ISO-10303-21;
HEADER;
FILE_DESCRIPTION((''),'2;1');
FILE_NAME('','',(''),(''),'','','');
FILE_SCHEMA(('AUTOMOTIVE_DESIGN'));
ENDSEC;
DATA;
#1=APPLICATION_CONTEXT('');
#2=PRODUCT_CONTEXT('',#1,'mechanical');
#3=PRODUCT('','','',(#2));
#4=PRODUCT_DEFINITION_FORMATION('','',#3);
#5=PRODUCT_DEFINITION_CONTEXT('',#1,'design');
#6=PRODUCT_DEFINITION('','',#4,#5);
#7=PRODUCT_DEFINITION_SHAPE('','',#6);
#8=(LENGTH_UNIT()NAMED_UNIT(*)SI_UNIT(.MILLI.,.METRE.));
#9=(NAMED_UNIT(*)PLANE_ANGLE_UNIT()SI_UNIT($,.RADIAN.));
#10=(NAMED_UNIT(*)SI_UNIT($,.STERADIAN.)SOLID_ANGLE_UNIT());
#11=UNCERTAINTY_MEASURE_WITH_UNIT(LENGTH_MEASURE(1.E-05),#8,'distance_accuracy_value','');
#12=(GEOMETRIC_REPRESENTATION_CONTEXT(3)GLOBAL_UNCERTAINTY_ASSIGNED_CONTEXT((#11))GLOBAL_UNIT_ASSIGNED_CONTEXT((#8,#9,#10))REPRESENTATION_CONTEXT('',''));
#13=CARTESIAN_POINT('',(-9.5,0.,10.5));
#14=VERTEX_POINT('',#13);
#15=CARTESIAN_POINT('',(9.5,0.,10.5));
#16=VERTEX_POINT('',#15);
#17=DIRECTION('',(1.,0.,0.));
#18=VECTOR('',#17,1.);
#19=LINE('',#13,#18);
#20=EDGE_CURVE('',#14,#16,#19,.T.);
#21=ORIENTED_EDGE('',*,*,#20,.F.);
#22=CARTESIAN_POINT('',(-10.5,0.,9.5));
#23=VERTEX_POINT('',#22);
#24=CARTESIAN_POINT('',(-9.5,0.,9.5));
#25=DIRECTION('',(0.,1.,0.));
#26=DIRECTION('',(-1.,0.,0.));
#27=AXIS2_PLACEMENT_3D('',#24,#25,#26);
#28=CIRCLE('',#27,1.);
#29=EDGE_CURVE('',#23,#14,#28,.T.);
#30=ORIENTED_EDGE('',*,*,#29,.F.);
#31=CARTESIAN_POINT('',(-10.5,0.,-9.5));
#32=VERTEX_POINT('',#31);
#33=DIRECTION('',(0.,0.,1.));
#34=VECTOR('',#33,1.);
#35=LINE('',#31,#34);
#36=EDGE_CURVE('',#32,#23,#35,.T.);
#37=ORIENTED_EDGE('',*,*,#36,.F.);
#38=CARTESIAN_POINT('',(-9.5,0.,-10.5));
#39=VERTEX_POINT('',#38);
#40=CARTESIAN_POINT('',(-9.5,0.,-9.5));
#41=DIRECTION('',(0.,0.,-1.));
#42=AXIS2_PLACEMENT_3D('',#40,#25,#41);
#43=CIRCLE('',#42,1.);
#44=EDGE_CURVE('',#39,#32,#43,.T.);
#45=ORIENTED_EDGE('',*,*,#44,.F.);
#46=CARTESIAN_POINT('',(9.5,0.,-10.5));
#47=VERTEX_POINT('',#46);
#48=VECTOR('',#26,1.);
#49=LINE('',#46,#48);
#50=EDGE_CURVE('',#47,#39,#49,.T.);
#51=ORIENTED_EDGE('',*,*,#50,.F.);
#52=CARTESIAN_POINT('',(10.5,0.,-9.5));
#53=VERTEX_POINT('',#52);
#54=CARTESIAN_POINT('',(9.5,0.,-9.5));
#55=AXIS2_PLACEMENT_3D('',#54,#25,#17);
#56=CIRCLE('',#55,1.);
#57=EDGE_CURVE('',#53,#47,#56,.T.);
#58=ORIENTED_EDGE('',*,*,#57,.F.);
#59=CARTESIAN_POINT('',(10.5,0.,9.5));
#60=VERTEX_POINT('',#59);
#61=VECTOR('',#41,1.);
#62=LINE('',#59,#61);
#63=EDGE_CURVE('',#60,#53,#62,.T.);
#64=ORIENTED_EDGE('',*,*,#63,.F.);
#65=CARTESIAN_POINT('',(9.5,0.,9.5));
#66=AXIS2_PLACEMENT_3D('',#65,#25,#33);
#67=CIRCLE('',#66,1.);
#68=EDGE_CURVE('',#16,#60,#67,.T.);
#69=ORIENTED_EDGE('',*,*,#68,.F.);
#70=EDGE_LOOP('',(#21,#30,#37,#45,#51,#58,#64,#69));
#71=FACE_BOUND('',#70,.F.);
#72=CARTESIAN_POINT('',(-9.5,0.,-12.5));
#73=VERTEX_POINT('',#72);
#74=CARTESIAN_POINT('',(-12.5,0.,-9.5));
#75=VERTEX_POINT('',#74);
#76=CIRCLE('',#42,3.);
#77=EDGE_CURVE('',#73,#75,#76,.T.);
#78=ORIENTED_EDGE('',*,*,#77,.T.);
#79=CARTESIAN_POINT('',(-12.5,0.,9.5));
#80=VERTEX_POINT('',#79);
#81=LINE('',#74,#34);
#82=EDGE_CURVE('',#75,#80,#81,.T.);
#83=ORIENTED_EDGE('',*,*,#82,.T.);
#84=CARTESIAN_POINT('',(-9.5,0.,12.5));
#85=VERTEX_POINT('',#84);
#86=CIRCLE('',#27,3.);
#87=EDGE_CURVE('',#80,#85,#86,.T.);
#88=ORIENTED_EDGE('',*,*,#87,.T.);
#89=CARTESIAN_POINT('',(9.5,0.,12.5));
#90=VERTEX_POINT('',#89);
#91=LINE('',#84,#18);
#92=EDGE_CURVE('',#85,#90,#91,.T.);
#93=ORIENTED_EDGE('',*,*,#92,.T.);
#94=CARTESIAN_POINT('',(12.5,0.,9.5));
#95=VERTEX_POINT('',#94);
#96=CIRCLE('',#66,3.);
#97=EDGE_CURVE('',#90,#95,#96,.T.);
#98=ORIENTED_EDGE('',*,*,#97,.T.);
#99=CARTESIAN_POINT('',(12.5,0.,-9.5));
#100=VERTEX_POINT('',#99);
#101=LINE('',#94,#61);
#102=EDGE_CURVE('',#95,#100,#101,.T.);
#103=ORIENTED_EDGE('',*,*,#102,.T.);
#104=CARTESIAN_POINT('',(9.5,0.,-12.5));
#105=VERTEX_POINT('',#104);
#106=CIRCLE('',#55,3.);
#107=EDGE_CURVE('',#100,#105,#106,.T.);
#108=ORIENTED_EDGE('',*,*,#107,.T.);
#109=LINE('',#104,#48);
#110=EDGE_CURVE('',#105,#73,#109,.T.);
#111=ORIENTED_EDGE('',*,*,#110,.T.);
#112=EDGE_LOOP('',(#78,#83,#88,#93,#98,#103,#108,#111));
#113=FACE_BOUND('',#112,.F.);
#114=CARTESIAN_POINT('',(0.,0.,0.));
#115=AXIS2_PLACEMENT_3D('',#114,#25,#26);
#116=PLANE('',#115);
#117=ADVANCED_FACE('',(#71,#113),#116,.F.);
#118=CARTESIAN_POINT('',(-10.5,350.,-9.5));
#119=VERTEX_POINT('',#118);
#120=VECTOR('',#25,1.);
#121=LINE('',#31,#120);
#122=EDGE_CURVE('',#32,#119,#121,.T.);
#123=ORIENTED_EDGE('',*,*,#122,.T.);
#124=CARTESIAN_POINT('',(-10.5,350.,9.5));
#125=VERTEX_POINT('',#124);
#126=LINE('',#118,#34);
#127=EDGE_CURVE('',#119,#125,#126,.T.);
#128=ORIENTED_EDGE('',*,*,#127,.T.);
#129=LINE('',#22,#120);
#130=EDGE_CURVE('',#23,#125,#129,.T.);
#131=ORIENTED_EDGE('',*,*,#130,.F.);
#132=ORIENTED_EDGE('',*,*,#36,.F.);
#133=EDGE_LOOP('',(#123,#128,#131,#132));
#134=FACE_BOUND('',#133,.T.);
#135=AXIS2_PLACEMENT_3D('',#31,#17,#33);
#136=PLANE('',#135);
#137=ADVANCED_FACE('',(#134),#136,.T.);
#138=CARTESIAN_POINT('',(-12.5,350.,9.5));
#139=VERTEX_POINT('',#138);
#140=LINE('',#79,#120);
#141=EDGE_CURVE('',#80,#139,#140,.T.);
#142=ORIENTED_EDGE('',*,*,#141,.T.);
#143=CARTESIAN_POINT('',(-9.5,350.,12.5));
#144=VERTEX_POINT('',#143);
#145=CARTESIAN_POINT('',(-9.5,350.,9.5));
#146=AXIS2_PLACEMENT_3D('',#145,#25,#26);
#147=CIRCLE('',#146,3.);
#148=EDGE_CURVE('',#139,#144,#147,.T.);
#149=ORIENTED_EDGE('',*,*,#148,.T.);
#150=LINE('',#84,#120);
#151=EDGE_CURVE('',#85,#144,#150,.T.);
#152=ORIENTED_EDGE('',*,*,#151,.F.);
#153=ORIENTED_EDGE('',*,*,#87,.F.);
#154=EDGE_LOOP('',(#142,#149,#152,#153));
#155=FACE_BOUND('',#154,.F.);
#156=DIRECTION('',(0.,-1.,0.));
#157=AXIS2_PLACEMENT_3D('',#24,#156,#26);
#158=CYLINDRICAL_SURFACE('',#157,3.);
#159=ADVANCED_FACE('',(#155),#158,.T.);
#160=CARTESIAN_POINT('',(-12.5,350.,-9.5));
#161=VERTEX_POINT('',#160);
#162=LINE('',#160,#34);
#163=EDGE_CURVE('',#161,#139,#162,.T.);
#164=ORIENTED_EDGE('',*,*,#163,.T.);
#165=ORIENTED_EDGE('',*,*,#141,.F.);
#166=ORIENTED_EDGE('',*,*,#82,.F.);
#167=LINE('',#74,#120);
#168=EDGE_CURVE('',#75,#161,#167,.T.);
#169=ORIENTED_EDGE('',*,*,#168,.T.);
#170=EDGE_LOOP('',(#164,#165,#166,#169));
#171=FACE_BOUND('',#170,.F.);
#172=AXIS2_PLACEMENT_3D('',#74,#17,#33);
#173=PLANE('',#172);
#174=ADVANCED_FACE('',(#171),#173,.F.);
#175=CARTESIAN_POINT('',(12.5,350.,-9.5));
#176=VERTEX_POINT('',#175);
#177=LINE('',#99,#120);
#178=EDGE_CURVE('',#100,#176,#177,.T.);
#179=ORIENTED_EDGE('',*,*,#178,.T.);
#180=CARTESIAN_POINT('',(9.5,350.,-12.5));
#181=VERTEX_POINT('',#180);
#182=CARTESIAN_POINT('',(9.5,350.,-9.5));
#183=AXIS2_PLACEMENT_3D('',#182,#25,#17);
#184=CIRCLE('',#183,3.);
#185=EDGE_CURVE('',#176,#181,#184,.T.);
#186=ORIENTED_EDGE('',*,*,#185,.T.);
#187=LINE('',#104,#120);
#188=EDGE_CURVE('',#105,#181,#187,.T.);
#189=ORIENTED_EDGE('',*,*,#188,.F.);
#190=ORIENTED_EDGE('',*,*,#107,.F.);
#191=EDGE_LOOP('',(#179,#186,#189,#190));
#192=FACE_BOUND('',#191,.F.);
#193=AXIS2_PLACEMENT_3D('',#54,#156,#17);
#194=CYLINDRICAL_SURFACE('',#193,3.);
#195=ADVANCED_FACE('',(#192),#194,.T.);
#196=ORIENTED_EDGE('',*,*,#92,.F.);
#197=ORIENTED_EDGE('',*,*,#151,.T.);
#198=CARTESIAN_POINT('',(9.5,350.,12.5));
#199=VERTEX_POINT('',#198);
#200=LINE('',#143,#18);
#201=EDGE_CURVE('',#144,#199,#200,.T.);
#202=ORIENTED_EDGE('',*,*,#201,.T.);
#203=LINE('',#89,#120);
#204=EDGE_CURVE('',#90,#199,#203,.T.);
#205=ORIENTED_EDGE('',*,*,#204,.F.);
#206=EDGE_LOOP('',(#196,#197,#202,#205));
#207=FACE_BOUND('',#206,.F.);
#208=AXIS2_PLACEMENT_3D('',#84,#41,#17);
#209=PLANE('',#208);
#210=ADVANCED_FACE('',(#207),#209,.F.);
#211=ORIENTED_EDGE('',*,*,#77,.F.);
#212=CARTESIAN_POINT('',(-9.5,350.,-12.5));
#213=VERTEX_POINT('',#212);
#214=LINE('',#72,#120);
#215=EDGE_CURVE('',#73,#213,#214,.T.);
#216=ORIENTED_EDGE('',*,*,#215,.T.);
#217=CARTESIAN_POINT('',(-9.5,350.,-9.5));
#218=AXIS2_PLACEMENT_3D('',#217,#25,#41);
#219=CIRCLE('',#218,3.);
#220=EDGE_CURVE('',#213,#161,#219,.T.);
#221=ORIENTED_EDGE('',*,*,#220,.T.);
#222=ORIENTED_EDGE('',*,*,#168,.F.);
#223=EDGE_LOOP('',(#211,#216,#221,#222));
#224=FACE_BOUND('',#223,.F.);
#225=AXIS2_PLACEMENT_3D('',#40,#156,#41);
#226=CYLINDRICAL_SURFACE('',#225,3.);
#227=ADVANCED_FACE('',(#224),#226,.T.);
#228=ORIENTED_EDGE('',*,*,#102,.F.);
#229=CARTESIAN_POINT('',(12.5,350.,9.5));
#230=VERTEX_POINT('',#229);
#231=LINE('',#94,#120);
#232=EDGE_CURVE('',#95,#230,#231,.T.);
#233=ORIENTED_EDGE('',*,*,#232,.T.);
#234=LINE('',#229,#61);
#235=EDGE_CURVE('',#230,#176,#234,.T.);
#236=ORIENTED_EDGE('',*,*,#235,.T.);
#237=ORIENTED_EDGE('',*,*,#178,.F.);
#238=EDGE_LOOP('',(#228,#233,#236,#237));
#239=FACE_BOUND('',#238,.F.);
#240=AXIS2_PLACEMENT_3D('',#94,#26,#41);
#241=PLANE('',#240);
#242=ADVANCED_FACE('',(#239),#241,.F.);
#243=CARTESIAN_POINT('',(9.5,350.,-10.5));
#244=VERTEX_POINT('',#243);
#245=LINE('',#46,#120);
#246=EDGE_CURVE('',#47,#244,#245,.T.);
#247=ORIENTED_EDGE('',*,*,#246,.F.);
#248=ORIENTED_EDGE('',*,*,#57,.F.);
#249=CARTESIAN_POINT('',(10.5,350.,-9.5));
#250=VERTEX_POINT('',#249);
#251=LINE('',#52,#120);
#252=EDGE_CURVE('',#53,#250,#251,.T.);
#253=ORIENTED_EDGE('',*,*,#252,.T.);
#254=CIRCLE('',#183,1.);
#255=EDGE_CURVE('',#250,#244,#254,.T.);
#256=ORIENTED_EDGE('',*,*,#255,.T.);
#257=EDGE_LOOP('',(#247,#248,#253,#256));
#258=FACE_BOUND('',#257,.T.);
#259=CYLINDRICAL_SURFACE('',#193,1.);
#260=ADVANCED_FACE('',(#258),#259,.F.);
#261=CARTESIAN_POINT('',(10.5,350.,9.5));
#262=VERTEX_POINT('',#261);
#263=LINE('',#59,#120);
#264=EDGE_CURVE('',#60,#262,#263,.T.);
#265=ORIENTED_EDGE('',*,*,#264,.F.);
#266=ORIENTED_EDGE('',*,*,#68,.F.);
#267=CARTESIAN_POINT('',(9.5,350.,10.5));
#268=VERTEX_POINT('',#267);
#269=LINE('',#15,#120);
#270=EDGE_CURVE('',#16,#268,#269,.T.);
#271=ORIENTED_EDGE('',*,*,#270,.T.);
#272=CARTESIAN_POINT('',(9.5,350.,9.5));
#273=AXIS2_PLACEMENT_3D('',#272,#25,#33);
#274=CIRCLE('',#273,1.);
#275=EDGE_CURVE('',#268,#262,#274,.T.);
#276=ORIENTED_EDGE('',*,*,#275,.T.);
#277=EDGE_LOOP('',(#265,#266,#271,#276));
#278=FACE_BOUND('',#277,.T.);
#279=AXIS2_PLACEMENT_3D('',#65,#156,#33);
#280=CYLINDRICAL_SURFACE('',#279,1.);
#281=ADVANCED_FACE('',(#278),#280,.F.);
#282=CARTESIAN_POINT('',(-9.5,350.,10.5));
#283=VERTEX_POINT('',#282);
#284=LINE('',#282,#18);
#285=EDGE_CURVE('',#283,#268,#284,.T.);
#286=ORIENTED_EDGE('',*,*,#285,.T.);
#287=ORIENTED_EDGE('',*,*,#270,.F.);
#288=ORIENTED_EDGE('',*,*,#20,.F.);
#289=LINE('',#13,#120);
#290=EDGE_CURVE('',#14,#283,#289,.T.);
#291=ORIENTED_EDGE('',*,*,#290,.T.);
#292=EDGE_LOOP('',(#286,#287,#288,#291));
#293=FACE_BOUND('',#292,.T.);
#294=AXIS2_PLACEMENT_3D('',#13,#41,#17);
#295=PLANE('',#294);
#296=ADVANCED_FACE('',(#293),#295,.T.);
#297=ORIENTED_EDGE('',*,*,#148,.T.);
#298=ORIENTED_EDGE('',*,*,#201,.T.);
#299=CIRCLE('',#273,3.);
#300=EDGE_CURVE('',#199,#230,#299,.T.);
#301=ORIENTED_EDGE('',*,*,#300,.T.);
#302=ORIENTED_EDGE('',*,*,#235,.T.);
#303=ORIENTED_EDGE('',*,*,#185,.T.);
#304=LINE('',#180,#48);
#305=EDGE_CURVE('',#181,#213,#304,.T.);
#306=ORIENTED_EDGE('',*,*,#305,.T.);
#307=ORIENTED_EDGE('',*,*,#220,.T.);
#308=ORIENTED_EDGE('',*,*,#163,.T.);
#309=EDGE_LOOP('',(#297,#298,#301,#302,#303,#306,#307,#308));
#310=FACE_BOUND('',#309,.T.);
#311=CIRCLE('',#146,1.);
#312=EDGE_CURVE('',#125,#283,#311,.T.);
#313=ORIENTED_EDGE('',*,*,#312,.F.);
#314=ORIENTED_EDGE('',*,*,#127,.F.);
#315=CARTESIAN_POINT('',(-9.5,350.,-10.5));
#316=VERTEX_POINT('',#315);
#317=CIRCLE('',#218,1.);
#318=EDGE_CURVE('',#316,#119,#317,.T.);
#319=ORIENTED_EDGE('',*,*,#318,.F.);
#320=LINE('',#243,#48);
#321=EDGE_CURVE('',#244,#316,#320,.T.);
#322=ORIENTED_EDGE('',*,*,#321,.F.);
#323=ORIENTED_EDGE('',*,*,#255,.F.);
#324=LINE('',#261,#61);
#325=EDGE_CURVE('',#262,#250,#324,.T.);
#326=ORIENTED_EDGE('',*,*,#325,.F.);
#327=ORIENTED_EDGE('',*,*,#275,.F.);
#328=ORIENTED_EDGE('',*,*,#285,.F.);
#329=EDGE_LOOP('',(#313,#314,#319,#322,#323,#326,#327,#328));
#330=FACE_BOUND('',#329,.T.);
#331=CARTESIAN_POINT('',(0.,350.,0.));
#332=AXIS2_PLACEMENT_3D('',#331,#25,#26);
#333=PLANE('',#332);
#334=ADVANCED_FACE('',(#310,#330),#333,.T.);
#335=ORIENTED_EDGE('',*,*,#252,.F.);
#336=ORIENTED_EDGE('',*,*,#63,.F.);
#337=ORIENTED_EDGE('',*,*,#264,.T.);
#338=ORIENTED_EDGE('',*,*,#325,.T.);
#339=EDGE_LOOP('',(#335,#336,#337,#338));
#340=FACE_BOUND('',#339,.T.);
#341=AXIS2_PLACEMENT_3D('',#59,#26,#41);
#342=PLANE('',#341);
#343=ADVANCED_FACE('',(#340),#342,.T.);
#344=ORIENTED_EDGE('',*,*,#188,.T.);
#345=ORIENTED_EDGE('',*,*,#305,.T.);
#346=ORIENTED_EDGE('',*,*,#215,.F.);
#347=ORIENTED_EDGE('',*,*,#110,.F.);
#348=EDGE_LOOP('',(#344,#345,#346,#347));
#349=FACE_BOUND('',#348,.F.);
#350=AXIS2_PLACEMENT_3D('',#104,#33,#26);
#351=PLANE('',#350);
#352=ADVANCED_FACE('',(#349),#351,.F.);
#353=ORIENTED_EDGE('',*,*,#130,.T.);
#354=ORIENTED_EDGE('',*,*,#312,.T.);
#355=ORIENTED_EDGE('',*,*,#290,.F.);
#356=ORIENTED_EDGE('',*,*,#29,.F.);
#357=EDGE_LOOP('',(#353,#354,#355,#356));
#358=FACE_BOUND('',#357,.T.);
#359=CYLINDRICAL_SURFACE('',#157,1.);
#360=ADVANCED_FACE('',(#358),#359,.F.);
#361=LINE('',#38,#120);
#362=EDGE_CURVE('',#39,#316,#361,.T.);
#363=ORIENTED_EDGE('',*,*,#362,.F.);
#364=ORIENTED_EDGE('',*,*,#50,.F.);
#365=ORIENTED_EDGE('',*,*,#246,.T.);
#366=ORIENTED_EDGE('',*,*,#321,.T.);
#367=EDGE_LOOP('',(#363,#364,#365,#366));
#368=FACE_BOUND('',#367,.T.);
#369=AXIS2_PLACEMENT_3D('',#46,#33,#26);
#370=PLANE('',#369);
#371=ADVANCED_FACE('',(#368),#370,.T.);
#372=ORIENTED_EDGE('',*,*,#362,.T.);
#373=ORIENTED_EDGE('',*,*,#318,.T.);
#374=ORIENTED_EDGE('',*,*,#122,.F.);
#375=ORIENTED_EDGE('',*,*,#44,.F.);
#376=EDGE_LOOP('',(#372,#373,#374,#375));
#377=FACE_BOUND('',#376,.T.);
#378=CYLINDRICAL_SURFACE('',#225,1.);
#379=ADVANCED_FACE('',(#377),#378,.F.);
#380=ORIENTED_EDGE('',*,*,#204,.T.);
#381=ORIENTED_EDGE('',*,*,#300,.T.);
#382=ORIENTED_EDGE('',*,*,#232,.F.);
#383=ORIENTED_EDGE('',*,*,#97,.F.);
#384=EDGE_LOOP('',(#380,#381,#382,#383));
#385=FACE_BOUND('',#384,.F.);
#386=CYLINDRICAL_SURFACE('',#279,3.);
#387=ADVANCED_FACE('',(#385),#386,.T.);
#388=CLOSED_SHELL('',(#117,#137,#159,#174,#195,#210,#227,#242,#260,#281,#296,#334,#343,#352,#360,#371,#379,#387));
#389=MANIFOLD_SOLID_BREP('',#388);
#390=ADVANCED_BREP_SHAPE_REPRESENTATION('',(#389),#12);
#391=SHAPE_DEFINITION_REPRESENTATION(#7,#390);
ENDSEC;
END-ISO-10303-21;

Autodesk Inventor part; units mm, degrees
ref_plane "YZ Plane" through (0, 0, 0) normal (1, 0, 0) x (0, 1, 0)
ref_plane "XZ Plane" through (0, 0, 0) normal (0, 1, 0) x (-1, 0, 0)
ref_plane "XY Plane" through (0, 0, 0) normal (0, 0, 1) x (1, 0, 0)
sketch "Sketch1" plane through (0, 0, 0) normal (0, 1, 0) x (-1, 0, 0)
  line L0 (-9.5, 11.5) -> (9.5, 11.5) construction
  line L1 (11.5, 9.5) -> (11.5, -9.5) construction
  line L2 (9.5, -11.5) -> (-9.5, -11.5) construction
  line L3 (-11.5, -9.5) -> (-11.5, 9.5) construction
  line L4 (-11.5, 11.5) -> (11.5, -11.5) construction
  line L5 (11.5, 11.5) -> (-11.5, -11.5) construction
  arc A0 (11.5, 9.5) -> (9.5, 11.5) centre (9.5, 9.5) ccw construction
  arc A1 (9.5, -11.5) -> (11.5, -9.5) centre (9.5, -9.5) ccw construction
  arc A2 (-11.5, -9.5) -> (-9.5, -11.5) centre (-9.5, -9.5) ccw construction
  arc A3 (-9.5, 11.5) -> (-11.5, 9.5) centre (-9.5, 9.5) ccw construction
  line L6 (-9.5, -12.5) -> (9.5, -12.5)
  arc A4 (9.5, -12.5) -> (12.5, -9.5) centre (9.5, -9.5) ccw
  line L7 (12.5, -9.5) -> (12.5, 9.5)
  arc A5 (12.5, 9.5) -> (9.5, 12.5) centre (9.5, 9.5) ccw
  line L8 (9.5, 12.5) -> (-9.5, 12.5)
  arc A6 (-9.5, 12.5) -> (-12.5, 9.5) centre (-9.5, 9.5) ccw
  line L9 (-12.5, 9.5) -> (-12.5, -9.5)
  arc A7 (-12.5, -9.5) -> (-9.5, -12.5) centre (-9.5, -9.5) ccw
  line L10 (10.5, -9.5) -> (10.5, 9.5)
  arc A8 (10.5, 9.5) -> (9.5, 10.5) centre (9.5, 9.5) ccw
  line L11 (9.5, 10.5) -> (-9.5, 10.5)
  arc A9 (-9.5, 10.5) -> (-10.5, 9.5) centre (-9.5, 9.5) ccw
  line L12 (-10.5, 9.5) -> (-10.5, -9.5)
  arc A10 (-10.5, -9.5) -> (-9.5, -10.5) centre (-9.5, -9.5) ccw
  line L13 (-9.5, -10.5) -> (9.5, -10.5)
  arc A11 (9.5, -10.5) -> (10.5, -9.5) centre (9.5, -9.5) ccw
  point P0 (0, 0)
  point P1 (0, 0)
  point P2 (0, 0)
  dimension "d10" = 2
  dimension "depth" = 25
  dimension "width" = 25
  dimension "thickness" = 2
extrude "Extrusion1" add sketch "Sketch1" along normal blind 350
equation "\"d10\" = thickness"
properties part number "Stopa v1 profil 2" material "Steel"
